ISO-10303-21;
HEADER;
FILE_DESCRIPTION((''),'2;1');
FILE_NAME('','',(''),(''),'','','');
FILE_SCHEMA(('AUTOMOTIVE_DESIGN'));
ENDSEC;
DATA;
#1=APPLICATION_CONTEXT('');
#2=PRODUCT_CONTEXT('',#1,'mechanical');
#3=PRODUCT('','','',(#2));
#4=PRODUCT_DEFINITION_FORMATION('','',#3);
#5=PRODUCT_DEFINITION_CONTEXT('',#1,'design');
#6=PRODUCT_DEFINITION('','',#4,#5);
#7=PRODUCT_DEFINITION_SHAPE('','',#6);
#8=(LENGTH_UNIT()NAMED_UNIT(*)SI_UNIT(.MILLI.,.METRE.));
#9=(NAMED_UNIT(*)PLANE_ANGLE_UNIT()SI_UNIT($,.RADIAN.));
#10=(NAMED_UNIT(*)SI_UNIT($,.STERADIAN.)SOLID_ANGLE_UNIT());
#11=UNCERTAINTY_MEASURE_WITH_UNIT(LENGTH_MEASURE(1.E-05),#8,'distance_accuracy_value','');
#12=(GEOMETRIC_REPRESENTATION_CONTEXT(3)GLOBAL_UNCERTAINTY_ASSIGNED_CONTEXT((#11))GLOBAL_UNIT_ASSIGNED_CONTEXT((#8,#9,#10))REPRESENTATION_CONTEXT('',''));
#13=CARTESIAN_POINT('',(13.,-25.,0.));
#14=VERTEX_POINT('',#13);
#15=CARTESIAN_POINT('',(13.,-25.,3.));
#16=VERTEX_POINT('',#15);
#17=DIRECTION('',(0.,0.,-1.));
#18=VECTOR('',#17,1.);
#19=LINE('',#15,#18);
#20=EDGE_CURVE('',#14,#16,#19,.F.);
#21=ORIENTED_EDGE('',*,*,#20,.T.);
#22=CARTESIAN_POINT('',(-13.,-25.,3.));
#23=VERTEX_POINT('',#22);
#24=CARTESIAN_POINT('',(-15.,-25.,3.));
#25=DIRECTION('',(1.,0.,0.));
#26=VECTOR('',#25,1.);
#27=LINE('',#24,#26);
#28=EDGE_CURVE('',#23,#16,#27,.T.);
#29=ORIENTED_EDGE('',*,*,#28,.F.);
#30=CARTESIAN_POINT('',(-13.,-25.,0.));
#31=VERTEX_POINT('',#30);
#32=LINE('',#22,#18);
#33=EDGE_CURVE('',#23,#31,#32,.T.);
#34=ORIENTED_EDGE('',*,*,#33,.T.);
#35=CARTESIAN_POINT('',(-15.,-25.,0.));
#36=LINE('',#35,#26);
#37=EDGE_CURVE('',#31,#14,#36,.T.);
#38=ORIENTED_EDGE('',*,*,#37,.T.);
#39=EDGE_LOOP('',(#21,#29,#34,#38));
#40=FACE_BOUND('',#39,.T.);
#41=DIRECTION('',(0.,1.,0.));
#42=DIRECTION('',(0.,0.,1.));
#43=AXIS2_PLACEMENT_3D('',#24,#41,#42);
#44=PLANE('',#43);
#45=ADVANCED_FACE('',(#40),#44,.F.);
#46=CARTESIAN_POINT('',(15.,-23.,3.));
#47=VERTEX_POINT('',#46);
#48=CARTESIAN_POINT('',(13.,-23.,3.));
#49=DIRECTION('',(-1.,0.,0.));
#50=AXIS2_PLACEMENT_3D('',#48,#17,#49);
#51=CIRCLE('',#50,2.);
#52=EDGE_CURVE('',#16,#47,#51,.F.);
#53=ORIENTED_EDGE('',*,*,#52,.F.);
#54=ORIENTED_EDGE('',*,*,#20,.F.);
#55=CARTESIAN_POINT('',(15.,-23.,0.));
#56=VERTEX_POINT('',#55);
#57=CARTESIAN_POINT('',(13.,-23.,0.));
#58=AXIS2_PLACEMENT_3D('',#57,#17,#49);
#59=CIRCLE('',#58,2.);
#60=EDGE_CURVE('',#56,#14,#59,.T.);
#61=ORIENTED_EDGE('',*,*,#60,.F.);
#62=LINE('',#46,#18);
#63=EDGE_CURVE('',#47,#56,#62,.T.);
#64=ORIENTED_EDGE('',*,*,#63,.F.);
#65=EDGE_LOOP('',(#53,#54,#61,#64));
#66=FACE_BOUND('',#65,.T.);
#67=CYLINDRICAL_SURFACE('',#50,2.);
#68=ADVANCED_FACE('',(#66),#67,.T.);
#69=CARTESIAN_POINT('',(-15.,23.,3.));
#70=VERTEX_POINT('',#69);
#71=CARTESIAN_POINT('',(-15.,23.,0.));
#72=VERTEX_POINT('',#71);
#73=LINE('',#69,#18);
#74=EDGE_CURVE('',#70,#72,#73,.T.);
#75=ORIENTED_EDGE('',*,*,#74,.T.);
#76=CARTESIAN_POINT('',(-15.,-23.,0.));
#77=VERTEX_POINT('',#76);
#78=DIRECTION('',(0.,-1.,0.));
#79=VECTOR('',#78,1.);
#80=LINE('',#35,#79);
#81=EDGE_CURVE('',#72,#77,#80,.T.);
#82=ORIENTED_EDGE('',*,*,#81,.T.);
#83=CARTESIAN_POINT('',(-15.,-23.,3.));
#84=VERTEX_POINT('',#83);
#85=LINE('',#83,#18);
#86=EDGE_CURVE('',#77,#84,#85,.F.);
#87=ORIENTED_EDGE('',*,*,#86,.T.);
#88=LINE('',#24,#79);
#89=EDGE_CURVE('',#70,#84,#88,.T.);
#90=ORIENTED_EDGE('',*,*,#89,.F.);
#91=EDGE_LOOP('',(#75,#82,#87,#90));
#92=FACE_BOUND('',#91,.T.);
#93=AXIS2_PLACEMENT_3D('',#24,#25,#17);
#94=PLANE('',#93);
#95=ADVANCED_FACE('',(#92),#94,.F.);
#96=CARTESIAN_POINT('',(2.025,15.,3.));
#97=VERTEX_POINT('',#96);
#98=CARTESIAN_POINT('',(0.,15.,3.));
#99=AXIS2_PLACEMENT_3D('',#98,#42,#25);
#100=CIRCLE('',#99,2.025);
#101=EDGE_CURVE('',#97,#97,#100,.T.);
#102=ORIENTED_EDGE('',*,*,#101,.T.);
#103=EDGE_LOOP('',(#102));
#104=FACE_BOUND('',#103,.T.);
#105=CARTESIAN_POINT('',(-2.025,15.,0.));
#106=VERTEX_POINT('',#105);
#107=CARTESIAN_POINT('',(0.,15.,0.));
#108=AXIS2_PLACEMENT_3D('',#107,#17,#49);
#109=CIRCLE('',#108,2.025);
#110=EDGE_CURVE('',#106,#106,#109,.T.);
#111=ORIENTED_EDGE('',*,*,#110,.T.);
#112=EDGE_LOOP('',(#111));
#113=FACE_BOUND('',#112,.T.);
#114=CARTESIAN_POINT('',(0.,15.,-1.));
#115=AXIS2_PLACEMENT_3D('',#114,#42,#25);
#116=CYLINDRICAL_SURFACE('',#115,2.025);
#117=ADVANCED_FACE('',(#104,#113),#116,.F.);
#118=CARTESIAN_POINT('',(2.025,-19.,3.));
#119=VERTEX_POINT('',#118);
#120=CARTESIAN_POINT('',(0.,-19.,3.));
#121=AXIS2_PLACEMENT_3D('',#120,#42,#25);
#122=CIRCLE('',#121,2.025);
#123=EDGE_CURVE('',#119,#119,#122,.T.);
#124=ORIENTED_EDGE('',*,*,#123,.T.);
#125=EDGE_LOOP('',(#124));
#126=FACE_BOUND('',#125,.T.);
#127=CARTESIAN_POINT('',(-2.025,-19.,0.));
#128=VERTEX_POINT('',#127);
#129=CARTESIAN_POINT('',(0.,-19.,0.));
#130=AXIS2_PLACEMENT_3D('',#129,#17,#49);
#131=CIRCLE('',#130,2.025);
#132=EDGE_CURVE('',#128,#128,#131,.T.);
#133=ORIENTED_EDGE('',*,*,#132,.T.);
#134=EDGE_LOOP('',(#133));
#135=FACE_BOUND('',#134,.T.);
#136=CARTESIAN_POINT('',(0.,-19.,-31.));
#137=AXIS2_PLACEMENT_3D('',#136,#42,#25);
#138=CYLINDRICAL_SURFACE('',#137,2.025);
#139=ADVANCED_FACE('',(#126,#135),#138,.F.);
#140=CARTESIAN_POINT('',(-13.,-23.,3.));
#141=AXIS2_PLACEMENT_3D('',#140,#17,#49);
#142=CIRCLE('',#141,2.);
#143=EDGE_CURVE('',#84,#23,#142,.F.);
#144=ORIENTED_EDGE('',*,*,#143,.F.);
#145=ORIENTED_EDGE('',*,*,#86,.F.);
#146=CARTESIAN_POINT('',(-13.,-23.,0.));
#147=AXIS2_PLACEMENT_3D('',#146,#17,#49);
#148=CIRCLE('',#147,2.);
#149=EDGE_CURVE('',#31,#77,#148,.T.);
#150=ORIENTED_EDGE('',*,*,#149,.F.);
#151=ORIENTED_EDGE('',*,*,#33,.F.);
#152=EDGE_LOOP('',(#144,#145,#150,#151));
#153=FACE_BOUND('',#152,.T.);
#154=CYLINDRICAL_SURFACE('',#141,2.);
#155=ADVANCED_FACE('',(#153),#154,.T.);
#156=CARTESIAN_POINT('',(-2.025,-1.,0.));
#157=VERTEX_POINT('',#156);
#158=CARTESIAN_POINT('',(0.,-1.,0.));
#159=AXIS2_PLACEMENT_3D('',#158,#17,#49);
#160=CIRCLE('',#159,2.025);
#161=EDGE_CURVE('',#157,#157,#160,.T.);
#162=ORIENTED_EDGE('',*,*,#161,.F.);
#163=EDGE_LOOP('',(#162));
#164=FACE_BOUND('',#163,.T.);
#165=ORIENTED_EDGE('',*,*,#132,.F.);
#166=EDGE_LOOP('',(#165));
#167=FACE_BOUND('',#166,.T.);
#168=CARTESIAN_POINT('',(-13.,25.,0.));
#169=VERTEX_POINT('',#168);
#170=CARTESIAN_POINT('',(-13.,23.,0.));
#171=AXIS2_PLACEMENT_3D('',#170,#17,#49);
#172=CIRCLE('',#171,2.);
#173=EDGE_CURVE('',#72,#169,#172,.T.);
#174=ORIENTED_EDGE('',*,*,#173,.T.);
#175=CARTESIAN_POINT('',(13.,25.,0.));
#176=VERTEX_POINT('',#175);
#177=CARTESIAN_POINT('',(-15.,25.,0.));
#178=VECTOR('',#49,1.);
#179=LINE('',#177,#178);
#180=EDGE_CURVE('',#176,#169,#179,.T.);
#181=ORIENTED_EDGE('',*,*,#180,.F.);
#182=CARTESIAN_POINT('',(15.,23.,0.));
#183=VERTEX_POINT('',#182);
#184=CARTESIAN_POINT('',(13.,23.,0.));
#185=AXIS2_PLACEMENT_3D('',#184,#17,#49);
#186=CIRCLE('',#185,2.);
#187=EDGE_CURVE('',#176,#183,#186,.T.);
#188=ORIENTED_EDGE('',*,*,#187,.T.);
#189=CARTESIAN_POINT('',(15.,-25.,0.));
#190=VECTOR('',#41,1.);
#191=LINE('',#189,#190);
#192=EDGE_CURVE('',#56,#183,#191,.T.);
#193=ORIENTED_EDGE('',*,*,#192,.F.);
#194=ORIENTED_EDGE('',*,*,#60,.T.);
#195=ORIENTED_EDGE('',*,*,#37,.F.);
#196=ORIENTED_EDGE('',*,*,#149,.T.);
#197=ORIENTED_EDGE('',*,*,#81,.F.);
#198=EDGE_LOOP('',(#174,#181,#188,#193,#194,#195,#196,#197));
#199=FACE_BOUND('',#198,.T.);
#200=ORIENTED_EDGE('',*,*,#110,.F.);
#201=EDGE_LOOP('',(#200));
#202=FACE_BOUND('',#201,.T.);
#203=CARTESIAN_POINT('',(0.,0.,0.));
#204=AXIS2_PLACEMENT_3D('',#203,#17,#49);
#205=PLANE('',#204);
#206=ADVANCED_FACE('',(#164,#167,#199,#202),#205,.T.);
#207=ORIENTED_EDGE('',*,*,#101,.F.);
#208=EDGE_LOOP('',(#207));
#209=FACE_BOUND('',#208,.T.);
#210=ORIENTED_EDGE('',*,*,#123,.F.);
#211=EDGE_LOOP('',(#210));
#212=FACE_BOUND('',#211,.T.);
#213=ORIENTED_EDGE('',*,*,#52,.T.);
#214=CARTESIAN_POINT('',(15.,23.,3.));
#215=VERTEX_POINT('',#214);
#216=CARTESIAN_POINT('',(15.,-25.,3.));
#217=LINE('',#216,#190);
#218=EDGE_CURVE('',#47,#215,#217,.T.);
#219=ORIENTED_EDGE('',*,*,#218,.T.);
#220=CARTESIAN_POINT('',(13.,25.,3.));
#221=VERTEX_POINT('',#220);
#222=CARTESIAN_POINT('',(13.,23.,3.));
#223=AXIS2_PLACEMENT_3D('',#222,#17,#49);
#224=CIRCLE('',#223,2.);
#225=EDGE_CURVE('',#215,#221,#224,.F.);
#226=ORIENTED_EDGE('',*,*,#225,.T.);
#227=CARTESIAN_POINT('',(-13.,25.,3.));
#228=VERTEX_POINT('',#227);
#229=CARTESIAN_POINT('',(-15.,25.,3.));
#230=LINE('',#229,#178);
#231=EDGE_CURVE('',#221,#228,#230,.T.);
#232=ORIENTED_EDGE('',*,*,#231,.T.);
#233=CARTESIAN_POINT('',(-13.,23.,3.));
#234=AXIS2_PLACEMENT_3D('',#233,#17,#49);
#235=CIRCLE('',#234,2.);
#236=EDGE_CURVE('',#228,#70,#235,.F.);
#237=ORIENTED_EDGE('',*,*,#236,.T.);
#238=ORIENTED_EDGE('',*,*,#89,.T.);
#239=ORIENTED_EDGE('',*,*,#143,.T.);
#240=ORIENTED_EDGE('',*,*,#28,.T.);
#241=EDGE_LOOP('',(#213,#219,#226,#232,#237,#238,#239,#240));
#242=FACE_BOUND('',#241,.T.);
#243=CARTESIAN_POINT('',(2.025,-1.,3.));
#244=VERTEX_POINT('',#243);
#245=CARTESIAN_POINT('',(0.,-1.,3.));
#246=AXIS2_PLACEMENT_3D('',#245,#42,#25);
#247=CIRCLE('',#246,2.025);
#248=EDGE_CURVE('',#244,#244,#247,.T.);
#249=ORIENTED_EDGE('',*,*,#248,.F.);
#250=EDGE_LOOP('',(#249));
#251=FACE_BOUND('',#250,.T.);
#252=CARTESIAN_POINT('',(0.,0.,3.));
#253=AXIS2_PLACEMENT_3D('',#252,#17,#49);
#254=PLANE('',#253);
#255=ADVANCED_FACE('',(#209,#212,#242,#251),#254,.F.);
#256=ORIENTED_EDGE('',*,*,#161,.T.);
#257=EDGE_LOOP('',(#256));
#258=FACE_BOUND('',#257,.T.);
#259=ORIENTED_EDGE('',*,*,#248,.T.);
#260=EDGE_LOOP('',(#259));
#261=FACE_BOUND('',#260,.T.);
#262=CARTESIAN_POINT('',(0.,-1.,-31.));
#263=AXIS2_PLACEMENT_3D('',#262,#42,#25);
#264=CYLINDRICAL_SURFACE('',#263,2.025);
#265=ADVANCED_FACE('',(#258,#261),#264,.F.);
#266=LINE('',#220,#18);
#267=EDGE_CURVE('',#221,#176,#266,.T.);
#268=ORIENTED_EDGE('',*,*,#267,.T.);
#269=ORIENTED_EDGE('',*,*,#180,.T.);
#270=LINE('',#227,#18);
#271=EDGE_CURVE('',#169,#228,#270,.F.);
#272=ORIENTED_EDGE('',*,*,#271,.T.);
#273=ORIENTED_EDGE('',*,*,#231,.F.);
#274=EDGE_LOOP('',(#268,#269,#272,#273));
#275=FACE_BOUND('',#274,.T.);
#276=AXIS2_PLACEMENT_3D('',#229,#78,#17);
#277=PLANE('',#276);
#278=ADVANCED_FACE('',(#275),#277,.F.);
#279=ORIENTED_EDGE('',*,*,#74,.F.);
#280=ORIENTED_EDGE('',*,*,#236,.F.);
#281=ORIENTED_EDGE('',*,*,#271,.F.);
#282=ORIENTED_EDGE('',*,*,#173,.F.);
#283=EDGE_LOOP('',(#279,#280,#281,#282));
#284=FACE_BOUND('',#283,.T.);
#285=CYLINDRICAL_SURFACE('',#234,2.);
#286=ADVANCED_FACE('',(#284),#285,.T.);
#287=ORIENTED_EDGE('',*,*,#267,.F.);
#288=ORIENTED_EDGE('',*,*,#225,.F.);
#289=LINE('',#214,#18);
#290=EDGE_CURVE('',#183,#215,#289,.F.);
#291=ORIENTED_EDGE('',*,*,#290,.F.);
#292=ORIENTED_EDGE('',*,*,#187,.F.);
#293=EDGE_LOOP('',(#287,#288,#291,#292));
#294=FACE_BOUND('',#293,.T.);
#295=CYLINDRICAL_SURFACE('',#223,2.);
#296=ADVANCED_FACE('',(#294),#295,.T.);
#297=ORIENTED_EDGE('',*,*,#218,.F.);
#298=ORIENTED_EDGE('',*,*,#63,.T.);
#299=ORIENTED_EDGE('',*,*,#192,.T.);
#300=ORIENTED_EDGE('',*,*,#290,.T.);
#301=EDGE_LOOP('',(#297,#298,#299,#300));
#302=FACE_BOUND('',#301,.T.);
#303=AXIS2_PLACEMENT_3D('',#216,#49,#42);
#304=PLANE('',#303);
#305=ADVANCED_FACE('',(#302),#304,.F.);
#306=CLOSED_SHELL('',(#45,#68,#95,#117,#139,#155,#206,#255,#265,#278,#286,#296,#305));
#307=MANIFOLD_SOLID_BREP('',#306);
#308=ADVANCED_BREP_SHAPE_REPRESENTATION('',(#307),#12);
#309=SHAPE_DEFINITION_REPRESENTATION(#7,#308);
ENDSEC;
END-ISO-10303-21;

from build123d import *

# Parameters (mm, degrees)
SKETCH_1_W          = 30
SKETCH_1_H          = 50
EXTRUDE_1_DEPTH     = 3
SKETCH_2_R          = 2.025
CUT_EXTRUDE_1_DEPTH = 4
SKETCH_3_R          = 2.025
CUT_EXTRUDE_2_DEPTH = 34
FILLET_1_R          = 2


with BuildPart() as part:
    # 草图1 → 凸台-拉伸1 (new body)
    with BuildSketch(Plane.XY):
        Rectangle(SKETCH_1_W, SKETCH_1_H)
    extrude(amount=EXTRUDE_1_DEPTH)

    # 草图2 → 切除-拉伸1 (cut)
    with BuildSketch(Plane.XY.offset(3)):
        with Locations((0, 15)):
            Circle(SKETCH_2_R)
    extrude(amount=-CUT_EXTRUDE_1_DEPTH, mode=Mode.SUBTRACT)

    # 草图3 → 切除-拉伸2 (cut)
    with BuildSketch(Plane.XY.offset(3)):
        with Locations((0, -1)):
            Circle(SKETCH_3_R)
        with Locations((0, -19)):
            Circle(SKETCH_3_R)
    extrude(amount=-CUT_EXTRUDE_2_DEPTH, mode=Mode.SUBTRACT)

    # 圆角1
    fillet_1_edges = [part.edges().sort_by_distance(p)[0] for p in [
        (15, -25, 1.5),
        (-15, -25, 1.5),
        (-15, 25, 1.5),
        (15, 25, 1.5),
    ]]
    fillet(fillet_1_edges, radius=FILLET_1_R)


solid = part.part
